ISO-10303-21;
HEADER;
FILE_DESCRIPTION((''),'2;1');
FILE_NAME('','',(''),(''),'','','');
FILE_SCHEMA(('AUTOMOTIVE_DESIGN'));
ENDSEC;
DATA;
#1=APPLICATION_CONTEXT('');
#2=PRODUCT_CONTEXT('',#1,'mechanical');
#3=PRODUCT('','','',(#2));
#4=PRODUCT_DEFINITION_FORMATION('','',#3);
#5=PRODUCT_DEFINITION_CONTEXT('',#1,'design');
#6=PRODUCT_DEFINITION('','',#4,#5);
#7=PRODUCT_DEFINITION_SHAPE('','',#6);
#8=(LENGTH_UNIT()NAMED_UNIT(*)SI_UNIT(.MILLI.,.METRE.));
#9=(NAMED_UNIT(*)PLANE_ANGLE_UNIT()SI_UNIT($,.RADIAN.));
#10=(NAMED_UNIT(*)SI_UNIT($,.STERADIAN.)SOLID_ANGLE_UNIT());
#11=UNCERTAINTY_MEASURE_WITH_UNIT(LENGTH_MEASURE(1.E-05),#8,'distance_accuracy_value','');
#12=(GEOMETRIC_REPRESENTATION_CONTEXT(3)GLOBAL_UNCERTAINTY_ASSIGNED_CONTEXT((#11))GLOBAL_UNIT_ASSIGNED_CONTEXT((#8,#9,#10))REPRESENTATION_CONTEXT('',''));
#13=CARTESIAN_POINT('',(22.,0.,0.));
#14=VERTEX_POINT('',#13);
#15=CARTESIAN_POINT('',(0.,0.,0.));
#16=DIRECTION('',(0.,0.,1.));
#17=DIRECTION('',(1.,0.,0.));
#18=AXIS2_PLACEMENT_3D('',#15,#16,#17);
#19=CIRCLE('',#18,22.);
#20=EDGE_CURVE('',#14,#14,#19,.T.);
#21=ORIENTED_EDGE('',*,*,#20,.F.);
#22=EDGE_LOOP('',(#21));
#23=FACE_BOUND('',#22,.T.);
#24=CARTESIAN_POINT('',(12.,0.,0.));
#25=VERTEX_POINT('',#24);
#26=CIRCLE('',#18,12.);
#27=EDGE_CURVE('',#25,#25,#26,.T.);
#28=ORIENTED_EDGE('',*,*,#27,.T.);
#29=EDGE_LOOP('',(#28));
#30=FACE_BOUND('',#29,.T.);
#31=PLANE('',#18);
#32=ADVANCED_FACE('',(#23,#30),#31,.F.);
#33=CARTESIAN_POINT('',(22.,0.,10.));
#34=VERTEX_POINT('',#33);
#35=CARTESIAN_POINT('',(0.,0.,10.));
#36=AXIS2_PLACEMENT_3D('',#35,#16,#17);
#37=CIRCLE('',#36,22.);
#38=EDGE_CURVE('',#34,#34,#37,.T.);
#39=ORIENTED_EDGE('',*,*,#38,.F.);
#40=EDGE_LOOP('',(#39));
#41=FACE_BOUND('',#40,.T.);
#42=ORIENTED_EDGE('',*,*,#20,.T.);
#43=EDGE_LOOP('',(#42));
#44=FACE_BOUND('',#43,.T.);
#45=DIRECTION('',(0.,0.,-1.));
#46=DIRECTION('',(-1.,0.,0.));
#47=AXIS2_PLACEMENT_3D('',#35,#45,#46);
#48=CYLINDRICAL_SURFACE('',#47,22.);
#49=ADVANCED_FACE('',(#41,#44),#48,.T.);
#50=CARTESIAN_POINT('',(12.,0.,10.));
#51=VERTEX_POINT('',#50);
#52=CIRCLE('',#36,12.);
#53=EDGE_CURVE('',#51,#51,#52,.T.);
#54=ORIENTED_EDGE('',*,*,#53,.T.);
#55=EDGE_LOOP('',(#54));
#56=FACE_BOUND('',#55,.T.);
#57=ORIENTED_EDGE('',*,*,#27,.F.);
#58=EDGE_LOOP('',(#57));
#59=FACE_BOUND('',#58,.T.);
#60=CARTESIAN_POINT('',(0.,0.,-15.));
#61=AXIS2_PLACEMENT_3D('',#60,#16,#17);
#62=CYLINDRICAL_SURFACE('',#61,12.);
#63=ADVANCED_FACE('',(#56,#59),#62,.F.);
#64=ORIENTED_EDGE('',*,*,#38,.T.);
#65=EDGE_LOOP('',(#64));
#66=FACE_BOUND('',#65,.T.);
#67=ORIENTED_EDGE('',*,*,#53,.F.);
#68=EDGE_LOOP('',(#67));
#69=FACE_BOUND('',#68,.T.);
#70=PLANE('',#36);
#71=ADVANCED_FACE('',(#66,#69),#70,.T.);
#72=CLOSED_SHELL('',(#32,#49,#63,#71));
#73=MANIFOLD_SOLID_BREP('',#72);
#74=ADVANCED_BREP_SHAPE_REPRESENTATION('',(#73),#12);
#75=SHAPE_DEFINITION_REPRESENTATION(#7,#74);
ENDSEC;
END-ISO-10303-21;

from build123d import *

# Parameters (mm, degrees)
SKETCH1_R           = 22
BOSS_EXTRUDE1_DEPTH = 10
SKETCH2_R           = 12
CUT_EXTRUDE1_DEPTH  = 25


with BuildPart() as part:
    # Sketch1 → Boss-Extrude1 (new body)
    with BuildSketch(Plane.XY):
        Circle(SKETCH1_R)
    extrude(amount=BOSS_EXTRUDE1_DEPTH)

    # Sketch2 → Cut-Extrude1 (cut)
    with BuildSketch(Plane.XY.offset(10)):
        Circle(SKETCH2_R)
    extrude(amount=-CUT_EXTRUDE1_DEPTH, mode=Mode.SUBTRACT)


solid = part.part
